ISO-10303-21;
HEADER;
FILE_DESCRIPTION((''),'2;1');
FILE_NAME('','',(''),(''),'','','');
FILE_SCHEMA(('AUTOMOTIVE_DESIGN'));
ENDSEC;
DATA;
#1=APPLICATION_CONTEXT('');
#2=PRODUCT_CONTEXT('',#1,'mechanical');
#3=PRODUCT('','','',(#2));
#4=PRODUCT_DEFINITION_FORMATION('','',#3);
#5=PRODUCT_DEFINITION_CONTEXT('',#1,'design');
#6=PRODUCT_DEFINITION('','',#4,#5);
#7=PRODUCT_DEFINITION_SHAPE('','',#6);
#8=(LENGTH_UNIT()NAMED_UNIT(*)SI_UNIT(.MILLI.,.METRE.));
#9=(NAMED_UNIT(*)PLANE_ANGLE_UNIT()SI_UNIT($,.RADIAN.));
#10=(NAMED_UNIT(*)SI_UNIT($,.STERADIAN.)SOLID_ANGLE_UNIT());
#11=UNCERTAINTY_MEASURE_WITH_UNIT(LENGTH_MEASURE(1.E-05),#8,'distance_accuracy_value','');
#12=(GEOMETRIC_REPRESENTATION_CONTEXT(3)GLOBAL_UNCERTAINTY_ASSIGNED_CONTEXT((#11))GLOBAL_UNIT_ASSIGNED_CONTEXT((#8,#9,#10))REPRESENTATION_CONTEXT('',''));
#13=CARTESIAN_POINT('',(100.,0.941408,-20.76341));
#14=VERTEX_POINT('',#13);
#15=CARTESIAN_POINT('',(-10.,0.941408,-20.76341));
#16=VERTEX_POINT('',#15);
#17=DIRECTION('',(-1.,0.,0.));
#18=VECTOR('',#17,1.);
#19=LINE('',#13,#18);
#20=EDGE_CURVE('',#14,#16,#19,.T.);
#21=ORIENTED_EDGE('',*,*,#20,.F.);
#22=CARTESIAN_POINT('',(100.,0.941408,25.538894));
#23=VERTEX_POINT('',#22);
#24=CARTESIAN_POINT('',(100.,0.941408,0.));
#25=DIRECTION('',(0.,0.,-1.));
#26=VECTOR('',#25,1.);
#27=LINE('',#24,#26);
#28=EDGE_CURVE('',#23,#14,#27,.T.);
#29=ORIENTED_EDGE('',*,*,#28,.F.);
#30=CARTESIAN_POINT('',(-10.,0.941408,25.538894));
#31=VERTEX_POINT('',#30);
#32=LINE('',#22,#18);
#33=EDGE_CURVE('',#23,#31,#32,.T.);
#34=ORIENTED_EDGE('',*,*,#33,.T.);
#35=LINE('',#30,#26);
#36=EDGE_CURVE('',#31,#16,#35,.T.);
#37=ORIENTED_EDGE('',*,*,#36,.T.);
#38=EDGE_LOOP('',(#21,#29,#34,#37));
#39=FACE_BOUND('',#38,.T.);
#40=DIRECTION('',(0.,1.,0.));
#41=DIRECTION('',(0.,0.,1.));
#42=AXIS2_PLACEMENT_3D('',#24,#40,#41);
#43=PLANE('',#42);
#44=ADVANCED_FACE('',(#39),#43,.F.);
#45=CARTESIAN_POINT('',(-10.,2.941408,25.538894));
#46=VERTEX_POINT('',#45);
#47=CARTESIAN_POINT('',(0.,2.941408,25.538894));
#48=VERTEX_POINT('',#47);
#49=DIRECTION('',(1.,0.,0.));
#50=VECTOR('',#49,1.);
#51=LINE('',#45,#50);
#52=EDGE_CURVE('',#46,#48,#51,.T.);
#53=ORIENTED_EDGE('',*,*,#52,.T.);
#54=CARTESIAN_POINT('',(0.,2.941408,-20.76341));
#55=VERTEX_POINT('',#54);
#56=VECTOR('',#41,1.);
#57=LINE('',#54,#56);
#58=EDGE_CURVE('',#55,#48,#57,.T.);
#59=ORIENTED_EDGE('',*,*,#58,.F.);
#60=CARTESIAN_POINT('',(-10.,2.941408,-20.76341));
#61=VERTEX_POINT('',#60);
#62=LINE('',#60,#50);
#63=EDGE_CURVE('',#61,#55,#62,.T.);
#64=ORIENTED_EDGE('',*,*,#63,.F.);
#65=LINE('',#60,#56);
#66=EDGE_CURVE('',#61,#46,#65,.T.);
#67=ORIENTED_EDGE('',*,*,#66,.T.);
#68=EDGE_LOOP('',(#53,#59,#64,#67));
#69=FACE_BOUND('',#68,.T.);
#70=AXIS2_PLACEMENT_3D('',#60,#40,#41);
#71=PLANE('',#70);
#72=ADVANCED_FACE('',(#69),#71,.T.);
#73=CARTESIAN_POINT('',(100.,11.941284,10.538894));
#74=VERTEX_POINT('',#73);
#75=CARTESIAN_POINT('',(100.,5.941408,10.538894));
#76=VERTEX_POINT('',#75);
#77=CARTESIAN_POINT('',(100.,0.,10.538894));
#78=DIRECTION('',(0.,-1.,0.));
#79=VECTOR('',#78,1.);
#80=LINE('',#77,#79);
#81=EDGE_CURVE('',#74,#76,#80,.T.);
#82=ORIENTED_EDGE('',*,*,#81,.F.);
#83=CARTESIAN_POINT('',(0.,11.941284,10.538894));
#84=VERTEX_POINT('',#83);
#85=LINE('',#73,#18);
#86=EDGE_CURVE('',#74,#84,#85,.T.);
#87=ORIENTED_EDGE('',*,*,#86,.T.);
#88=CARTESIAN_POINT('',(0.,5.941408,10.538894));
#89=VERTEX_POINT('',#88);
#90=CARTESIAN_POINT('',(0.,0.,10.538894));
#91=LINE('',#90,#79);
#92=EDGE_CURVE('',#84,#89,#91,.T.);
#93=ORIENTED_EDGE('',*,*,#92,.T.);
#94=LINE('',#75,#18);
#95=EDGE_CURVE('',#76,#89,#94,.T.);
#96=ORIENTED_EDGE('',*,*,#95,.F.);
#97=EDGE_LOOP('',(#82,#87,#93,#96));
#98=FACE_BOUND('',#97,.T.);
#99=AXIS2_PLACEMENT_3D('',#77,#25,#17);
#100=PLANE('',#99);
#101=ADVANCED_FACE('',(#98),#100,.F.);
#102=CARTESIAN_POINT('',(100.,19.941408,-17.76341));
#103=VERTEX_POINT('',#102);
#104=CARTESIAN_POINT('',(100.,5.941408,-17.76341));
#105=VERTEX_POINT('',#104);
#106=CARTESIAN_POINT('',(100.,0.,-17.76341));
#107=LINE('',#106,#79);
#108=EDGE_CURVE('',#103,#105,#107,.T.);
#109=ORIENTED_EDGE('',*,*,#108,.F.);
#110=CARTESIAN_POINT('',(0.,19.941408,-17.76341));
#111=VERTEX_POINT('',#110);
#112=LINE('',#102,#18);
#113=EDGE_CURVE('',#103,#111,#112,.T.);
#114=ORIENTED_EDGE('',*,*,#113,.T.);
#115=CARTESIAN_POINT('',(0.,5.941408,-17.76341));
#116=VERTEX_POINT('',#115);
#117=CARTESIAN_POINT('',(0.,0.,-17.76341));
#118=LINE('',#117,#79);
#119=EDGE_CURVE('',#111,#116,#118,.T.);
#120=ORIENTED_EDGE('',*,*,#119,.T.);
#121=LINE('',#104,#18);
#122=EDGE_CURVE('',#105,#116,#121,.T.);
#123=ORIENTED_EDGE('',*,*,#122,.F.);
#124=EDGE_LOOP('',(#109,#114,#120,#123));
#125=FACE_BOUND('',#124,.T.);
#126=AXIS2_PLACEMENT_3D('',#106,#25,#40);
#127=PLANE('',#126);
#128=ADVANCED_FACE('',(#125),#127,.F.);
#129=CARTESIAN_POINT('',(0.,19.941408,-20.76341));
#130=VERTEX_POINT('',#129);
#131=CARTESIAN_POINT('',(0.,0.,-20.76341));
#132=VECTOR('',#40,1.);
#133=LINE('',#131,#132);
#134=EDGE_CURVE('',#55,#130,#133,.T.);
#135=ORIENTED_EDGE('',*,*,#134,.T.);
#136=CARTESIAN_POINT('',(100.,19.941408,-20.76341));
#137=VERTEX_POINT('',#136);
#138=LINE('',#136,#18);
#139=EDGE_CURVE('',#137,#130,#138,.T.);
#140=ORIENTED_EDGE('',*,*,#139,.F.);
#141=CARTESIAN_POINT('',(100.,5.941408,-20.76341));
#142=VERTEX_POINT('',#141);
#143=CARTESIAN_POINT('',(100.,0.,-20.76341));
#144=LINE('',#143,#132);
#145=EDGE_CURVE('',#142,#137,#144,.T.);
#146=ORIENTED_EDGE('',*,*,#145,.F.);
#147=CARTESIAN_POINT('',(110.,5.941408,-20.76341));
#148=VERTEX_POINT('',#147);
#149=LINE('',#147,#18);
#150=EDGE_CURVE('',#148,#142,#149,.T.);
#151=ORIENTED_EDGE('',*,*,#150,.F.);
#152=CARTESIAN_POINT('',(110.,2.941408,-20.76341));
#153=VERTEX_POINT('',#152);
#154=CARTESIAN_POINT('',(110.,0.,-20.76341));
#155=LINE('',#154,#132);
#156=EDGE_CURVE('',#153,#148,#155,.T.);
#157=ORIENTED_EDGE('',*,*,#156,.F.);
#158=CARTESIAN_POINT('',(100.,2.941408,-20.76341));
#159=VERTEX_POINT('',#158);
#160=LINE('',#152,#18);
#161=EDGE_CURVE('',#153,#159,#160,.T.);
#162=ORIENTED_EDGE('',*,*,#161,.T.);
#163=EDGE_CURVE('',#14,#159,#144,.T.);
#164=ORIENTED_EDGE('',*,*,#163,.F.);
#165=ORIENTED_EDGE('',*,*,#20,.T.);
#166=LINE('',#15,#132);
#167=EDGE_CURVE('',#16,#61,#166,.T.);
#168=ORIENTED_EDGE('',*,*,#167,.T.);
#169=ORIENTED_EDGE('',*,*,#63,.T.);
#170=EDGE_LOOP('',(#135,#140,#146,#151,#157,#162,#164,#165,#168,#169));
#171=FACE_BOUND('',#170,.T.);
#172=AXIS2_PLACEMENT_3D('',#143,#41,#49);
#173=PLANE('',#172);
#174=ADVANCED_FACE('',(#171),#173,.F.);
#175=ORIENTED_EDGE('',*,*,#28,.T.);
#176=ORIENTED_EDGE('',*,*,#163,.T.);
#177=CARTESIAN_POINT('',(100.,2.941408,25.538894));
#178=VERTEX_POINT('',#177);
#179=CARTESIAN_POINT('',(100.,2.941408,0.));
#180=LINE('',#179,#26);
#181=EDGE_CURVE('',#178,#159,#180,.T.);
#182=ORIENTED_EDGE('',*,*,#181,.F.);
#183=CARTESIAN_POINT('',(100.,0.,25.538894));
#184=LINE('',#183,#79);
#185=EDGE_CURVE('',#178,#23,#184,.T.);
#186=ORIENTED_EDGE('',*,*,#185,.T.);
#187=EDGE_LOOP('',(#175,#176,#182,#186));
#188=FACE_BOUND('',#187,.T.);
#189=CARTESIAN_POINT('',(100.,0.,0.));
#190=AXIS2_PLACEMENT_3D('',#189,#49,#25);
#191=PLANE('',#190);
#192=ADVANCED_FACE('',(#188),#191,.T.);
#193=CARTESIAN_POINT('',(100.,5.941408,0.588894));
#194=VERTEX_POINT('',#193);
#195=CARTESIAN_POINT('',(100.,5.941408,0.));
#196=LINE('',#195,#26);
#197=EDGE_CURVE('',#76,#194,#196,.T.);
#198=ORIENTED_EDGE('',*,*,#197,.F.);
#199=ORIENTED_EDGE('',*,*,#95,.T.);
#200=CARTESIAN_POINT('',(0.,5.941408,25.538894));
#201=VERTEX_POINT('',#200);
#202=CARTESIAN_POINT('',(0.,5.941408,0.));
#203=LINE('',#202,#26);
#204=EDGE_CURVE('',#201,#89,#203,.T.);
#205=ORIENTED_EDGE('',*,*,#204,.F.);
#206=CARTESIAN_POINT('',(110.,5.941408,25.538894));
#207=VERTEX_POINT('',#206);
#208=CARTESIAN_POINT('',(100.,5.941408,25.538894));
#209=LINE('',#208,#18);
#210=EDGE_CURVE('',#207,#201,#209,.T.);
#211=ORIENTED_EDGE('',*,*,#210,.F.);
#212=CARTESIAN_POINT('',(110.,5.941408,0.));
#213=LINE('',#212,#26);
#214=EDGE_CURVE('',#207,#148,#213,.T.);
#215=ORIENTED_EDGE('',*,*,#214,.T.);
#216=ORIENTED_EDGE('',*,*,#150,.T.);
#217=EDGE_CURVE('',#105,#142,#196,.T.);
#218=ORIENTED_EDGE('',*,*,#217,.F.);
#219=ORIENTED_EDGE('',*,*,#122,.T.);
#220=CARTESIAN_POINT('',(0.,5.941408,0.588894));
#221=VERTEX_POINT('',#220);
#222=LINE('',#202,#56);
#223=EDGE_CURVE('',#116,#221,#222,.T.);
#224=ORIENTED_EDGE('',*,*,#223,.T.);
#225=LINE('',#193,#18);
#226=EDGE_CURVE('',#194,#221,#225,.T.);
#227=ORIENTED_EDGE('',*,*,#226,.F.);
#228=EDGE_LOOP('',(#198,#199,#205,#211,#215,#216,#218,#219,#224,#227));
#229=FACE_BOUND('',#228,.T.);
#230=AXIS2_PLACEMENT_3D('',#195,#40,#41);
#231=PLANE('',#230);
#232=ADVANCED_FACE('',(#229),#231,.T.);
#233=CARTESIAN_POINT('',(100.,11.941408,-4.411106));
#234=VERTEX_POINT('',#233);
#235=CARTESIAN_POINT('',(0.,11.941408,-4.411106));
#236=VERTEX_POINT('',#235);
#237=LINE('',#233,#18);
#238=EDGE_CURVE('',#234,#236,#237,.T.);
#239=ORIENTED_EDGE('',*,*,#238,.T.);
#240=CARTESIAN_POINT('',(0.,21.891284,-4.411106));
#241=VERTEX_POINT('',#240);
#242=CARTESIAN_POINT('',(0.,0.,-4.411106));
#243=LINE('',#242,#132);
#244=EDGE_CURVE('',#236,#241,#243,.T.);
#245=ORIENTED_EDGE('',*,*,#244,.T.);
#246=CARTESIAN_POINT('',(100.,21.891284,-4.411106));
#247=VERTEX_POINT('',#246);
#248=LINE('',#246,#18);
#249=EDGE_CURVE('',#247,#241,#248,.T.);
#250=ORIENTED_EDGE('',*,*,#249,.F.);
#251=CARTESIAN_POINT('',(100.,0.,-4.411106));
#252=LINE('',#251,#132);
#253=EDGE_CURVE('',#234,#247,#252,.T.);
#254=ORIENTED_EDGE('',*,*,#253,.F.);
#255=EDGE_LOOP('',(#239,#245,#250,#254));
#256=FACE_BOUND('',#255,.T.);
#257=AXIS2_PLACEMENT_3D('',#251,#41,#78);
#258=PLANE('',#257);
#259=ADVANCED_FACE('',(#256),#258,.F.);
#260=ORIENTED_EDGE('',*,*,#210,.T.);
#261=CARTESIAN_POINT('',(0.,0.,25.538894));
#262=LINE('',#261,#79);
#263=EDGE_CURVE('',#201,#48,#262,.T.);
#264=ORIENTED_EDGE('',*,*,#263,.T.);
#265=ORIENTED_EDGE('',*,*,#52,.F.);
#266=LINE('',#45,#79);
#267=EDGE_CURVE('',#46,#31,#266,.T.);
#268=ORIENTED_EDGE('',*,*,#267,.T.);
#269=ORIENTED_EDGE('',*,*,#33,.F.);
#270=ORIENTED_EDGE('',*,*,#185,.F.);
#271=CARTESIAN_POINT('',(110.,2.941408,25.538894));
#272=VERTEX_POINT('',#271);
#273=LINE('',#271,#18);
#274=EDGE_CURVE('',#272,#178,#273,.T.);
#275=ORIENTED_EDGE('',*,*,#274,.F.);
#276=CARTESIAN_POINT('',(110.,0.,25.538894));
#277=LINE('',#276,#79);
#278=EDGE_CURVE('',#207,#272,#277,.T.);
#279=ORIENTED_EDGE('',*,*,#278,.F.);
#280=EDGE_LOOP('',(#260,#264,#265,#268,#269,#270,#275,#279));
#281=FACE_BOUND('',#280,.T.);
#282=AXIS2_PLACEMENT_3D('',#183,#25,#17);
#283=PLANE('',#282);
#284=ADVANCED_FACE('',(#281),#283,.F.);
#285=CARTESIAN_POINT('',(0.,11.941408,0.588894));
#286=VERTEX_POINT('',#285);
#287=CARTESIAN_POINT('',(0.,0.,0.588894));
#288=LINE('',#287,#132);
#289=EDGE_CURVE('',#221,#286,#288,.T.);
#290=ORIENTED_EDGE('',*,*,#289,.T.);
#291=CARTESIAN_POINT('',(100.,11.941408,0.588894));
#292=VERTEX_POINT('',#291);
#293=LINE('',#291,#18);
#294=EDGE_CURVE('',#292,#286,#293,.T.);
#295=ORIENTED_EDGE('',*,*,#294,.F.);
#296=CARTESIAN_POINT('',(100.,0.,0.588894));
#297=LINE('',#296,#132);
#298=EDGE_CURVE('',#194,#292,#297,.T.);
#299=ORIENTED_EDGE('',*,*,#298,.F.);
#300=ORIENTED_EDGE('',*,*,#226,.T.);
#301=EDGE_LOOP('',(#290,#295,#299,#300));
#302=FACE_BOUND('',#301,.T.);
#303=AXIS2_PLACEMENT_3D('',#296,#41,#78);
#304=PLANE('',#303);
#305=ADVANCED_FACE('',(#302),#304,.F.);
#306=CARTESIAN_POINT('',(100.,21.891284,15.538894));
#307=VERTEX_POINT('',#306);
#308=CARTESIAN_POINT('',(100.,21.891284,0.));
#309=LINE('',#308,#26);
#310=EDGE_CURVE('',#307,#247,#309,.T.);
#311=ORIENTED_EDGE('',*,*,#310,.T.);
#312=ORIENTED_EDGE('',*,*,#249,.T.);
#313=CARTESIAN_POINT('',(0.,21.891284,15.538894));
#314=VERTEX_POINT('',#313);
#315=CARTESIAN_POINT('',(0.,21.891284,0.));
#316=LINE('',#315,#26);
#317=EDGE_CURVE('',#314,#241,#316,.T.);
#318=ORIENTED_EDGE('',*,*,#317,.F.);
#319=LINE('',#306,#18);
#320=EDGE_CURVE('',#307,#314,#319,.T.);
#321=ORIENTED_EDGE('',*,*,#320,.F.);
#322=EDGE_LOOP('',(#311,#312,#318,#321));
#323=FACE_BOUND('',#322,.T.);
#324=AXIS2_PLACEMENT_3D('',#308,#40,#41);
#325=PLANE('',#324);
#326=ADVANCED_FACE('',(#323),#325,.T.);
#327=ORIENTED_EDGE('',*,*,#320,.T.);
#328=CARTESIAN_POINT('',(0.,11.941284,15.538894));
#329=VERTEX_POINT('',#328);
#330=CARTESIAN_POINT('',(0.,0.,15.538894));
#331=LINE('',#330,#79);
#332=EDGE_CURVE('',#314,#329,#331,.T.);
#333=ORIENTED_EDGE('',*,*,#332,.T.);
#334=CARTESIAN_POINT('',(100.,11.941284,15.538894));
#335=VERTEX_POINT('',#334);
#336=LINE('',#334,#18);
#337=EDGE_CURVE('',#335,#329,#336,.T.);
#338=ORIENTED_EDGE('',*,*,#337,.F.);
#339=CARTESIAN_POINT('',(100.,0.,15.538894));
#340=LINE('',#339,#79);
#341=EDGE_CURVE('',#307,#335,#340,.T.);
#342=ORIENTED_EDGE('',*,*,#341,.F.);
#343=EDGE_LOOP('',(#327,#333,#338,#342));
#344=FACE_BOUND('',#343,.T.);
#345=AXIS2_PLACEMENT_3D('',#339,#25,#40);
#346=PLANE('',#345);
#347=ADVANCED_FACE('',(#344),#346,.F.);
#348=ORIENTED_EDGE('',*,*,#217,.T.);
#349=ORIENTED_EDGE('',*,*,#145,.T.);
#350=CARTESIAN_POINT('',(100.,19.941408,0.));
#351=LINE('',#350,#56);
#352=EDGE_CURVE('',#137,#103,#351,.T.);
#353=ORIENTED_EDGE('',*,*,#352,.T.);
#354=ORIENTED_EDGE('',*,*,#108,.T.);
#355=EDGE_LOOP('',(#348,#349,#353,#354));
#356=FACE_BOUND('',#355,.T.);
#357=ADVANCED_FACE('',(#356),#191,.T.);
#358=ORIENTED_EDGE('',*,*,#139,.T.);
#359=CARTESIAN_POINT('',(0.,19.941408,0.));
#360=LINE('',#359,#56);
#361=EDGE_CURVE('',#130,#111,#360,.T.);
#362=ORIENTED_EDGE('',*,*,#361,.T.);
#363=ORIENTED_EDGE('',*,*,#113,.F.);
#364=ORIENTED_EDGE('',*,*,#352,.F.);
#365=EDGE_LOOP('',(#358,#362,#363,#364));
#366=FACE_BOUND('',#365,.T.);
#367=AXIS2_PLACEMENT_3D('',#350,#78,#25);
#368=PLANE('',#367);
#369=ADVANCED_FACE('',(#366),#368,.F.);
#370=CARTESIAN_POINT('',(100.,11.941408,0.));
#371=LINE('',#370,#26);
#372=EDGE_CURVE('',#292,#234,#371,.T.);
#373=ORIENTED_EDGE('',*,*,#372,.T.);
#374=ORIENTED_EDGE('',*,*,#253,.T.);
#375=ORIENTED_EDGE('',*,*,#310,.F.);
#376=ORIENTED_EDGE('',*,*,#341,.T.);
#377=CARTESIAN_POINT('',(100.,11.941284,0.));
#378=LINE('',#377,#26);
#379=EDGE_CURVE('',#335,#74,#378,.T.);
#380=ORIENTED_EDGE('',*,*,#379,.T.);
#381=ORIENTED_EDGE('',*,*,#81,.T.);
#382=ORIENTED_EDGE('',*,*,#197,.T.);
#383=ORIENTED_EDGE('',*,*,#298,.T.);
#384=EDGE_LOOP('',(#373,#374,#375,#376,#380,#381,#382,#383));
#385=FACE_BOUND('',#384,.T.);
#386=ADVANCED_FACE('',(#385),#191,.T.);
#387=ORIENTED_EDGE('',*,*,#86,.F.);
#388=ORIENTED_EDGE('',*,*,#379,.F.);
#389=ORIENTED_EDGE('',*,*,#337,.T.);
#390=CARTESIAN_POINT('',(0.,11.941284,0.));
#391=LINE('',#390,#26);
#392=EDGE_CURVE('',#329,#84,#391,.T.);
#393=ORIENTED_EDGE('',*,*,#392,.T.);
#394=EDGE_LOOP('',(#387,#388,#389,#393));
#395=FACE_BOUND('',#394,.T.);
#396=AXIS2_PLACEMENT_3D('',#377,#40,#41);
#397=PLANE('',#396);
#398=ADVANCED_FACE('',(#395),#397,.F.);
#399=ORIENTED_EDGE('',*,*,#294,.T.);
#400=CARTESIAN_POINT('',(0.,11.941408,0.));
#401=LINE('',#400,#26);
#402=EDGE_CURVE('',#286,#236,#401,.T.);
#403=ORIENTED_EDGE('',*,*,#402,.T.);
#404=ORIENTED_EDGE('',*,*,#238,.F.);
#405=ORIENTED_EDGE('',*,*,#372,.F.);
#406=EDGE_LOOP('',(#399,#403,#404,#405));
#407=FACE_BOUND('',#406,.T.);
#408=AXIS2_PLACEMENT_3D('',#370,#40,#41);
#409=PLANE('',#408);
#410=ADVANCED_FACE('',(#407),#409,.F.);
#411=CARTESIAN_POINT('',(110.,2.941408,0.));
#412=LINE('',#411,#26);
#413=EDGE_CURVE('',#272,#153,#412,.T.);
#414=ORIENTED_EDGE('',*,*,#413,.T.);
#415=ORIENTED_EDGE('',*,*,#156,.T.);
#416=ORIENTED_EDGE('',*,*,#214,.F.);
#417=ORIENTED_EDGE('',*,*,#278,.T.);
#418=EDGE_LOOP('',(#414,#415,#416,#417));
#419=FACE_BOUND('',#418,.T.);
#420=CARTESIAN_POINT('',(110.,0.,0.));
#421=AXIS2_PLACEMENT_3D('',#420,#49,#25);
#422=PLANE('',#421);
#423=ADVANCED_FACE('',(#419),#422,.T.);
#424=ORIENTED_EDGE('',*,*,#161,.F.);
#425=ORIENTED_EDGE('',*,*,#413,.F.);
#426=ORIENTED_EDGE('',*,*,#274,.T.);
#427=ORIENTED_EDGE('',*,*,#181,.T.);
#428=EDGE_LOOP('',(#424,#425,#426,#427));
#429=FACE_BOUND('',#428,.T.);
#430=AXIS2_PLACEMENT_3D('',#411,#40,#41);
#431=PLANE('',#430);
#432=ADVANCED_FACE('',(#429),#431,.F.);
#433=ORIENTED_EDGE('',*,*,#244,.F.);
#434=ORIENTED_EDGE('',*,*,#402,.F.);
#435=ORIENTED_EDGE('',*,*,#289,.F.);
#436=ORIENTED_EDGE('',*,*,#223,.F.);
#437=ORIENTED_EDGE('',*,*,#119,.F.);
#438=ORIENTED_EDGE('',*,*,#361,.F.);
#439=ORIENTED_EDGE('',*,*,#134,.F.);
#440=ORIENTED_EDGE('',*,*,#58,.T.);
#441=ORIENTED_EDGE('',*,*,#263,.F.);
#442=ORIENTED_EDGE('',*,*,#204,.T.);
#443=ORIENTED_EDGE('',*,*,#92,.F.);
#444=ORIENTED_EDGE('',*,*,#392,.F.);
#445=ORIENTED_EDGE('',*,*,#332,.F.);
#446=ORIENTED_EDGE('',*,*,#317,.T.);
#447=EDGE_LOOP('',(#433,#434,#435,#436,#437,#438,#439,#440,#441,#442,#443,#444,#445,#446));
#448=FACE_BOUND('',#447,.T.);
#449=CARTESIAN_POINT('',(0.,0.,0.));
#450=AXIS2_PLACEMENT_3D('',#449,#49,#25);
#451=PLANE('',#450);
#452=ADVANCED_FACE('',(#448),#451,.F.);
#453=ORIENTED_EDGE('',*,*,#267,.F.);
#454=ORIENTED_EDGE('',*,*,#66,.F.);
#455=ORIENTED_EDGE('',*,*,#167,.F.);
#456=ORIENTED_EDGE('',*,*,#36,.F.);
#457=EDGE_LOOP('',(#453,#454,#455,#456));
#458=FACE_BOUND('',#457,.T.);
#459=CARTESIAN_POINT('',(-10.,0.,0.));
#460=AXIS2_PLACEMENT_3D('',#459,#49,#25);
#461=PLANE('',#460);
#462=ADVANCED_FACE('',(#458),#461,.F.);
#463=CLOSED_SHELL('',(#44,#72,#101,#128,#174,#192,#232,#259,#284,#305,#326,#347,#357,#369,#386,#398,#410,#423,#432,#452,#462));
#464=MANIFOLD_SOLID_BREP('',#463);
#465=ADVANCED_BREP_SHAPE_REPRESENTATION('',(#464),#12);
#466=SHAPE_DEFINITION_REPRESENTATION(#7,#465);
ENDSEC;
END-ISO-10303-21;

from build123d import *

# Parameters (mm, degrees)
SKETCH2_W           = 13
SKETCH2_H           = 5
BOSS_EXTRUDE1_DEPTH = 100
SKETCH4_W           = 46.302304271
SKETCH4_H           = 2
BOSS_EXTRUDE2_DEPTH = 10
BOSS_EXTRUDE4_DEPTH = 10


with BuildPart() as part:
    # Sketch2 → Boss-Extrude1 (new body)
    with BuildSketch(Plane(origin=(0, 5.94140841, 0), x_dir=(0, 0, -1), z_dir=(1, 0, 0))):
        Polygon((-0.588894188, 6), (4.411105812, 6), (4.411105812, 15.949875627), (-15.538894188, 15.949875627), (-15.538894188, 5.999875627), (-10.538894188, 5.999875627), (-10.538894188, 0), (-0.588894188, 0), align=None)
        Polygon((20.763410083, 14), (17.763410083, 14), (17.763410083, 0), (17.763410083, -5), (20.763410083, -5), align=None)
        Polygon((-0.588894188, 0), (4.763410083, 0), (4.763410083, -5), (-25.538894188, -5), (-25.538894188, 0), (-10.538894188, 0), align=None)
        with Locations((11.263410083, -2.5)):
            Rectangle(SKETCH2_W, SKETCH2_H)
    extrude(amount=BOSS_EXTRUDE1_DEPTH)

    # Sketch4 → Boss-Extrude2 (add)
    with BuildSketch(Plane.ZY):
        with Locations((2.387742053, 1.94140841)):
            Rectangle(SKETCH4_W, SKETCH4_H)
    extrude(amount=BOSS_EXTRUDE2_DEPTH)

    # Sketch5 → Boss-Extrude4 (add)
    with BuildSketch(Plane(origin=(100, 0, 0), x_dir=(0, 0, -1), z_dir=(1, 0, 0))):
        Polygon((-25.538894188, 5.94140841), (-25.538894188, 2.94140841), (20.763410083, 2.94140841), (20.763410083, 5.94140841), (17.763410083, 5.94140841), (-0.588894188, 5.94140841), (-10.538894188, 5.94140841), align=None)
    extrude(amount=BOSS_EXTRUDE4_DEPTH)


solid = part.part
